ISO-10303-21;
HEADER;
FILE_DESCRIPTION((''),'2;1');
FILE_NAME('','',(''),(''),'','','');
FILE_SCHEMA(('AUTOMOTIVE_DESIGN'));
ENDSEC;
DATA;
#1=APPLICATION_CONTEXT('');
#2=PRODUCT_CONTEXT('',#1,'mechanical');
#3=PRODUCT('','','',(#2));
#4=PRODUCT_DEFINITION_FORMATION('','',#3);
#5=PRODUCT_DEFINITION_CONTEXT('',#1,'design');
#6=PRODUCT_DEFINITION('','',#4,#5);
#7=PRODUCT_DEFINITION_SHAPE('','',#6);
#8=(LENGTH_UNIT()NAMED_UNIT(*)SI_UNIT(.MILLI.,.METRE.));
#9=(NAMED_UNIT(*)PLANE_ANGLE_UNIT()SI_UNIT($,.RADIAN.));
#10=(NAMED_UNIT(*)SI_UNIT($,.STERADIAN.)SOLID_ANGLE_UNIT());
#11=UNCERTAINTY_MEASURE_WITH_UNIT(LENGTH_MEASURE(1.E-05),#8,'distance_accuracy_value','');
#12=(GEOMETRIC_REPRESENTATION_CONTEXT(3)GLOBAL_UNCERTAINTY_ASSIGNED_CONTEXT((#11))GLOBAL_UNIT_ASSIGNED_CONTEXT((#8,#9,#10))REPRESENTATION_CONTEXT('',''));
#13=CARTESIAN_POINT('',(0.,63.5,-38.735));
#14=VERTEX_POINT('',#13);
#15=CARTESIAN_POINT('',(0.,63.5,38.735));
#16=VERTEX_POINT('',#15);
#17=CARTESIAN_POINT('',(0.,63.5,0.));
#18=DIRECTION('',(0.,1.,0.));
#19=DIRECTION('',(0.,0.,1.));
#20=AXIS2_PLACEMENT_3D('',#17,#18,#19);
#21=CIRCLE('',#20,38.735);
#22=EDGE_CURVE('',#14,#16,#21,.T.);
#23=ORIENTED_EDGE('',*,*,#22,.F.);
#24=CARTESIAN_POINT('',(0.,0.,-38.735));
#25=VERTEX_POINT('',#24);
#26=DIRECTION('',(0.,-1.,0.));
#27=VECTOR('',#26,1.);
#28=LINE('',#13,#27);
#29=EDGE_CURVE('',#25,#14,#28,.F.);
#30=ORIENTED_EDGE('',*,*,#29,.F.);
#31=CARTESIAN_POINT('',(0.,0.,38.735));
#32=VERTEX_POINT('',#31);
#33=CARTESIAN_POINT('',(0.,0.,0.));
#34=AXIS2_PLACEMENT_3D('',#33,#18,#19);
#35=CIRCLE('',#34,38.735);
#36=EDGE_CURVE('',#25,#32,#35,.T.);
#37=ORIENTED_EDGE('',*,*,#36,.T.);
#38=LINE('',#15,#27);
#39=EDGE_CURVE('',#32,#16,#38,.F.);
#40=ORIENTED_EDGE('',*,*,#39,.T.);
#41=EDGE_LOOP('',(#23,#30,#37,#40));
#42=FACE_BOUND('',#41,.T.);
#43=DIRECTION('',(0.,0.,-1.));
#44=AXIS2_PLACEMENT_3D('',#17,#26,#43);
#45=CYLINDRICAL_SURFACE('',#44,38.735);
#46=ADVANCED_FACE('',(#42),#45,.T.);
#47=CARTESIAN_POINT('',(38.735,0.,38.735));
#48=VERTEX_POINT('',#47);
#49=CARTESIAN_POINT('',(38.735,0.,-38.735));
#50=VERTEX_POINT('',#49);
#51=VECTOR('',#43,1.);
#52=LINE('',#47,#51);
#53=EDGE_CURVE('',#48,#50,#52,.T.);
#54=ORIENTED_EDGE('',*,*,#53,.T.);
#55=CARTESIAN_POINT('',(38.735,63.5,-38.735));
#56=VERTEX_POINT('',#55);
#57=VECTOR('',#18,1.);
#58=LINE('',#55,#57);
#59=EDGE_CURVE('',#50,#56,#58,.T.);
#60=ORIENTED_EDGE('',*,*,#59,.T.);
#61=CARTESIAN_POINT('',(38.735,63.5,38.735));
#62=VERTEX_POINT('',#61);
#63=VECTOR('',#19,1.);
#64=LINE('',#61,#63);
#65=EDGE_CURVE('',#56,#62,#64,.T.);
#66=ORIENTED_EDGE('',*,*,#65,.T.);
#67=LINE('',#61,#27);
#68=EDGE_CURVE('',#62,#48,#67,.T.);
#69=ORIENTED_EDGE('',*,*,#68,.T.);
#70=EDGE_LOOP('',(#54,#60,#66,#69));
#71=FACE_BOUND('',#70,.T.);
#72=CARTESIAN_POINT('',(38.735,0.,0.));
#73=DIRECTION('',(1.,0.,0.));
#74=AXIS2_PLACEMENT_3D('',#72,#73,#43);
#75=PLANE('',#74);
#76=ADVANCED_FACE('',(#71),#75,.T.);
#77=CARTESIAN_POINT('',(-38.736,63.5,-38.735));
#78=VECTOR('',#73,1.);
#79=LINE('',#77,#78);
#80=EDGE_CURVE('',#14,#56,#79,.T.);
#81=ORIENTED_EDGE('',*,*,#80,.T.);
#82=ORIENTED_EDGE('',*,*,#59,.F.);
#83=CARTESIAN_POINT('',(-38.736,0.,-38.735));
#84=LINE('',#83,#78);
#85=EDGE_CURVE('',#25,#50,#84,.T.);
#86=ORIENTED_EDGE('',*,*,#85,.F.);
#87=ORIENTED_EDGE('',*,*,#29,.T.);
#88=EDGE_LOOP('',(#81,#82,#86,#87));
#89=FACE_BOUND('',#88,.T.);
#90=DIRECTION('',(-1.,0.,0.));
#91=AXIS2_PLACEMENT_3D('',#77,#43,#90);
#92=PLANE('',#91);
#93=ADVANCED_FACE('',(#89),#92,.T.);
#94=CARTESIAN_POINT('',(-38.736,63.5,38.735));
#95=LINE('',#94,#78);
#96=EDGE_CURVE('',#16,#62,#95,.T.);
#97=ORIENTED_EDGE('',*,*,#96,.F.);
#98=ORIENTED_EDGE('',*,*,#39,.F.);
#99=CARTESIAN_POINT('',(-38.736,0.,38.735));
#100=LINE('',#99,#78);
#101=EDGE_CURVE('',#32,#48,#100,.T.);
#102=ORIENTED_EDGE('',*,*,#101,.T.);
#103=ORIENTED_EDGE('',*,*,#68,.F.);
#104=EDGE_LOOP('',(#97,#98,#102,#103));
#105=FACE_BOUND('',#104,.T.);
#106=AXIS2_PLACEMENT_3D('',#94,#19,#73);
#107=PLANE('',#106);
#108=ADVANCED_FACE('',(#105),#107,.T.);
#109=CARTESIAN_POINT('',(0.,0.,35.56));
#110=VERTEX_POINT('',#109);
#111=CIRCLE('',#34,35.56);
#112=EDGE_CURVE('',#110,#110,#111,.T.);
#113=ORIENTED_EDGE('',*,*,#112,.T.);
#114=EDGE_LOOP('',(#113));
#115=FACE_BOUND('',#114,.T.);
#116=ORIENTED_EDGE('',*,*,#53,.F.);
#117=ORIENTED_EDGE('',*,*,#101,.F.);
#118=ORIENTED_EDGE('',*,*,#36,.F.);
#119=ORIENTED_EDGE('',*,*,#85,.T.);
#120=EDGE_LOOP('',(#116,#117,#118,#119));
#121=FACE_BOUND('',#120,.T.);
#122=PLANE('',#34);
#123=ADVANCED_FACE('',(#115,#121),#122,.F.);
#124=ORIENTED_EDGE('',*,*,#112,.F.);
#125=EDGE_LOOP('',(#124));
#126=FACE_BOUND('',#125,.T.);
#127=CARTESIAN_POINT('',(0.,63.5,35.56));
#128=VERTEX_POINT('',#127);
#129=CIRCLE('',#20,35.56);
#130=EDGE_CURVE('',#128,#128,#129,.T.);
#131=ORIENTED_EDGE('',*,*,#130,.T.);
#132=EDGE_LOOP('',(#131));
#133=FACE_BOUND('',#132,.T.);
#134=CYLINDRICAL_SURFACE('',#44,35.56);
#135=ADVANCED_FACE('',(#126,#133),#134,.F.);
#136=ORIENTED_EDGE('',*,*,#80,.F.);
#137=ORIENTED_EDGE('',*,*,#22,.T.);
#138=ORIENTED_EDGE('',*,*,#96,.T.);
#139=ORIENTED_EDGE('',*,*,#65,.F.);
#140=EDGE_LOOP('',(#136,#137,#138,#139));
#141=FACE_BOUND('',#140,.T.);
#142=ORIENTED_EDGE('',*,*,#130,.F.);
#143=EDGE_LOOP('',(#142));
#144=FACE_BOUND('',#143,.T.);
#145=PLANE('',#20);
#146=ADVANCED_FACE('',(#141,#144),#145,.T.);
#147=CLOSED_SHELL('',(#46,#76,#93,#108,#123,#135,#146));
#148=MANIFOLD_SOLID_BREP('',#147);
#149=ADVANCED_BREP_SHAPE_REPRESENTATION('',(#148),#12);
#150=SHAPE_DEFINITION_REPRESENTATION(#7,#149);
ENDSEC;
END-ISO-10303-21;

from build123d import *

# Parameters (mm, degrees)
SKETCH1_R                = 38.735
SKETCH1_R_2              = 35.56
BOSS_EXTRUDE1_DEPTH      = 63.5
BOSS_EXTRUDE2_REACH      = 109.398
BOSS_EXTRUDE2_END_RADIUS = 38.735
SKETCH2_W                = 77.47
SKETCH2_H                = 63.5


with BuildPart() as part:
    # Sketch1 → Boss-Extrude1 (new body)
    with BuildSketch(Plane(origin=(0, 0, 0), x_dir=(1, 0, 0), z_dir=(0, 1, 0))):
        with Locations(Location((0, 0, 0), (0, 0, 270))):
            Circle(SKETCH1_R)
        with Locations(Location((0, 0, 0), (0, 0, 270))):
            Circle(SKETCH1_R_2, mode=Mode.SUBTRACT)
    extrude(amount=BOSS_EXTRUDE1_DEPTH)

    # Boss-Extrude2: up to this cylinder (the profile starts outside it)
    boss_extrude2_end = Plane(origin=(0, 31.75, 0), z_dir=(0, -1, 0)) * Cylinder(BOSS_EXTRUDE2_END_RADIUS, 297.266, mode=Mode.PRIVATE)
    # Sketch2 → Boss-Extrude2 (add, up to the surface)
    with BuildSketch(Plane(origin=(38.735, 0, 0), x_dir=(0, 0, -1), z_dir=(1, 0, 0)), mode=Mode.PRIVATE) as boss_extrude2_sk1:
        with Locations((0, 31.75)):
            Rectangle(SKETCH2_W, SKETCH2_H)
    boss_extrude2_tool1 = extrude(boss_extrude2_sk1.sketch, amount=-BOSS_EXTRUDE2_REACH, mode=Mode.PRIVATE) - boss_extrude2_end
    add(boss_extrude2_tool1.solids().sort_by_distance((38.735, 31.75, 0))[0])
    add(boss_extrude2_tool1.solids().sort_by_distance((38.735, 31.75, 0))[1])


solid = part.part
